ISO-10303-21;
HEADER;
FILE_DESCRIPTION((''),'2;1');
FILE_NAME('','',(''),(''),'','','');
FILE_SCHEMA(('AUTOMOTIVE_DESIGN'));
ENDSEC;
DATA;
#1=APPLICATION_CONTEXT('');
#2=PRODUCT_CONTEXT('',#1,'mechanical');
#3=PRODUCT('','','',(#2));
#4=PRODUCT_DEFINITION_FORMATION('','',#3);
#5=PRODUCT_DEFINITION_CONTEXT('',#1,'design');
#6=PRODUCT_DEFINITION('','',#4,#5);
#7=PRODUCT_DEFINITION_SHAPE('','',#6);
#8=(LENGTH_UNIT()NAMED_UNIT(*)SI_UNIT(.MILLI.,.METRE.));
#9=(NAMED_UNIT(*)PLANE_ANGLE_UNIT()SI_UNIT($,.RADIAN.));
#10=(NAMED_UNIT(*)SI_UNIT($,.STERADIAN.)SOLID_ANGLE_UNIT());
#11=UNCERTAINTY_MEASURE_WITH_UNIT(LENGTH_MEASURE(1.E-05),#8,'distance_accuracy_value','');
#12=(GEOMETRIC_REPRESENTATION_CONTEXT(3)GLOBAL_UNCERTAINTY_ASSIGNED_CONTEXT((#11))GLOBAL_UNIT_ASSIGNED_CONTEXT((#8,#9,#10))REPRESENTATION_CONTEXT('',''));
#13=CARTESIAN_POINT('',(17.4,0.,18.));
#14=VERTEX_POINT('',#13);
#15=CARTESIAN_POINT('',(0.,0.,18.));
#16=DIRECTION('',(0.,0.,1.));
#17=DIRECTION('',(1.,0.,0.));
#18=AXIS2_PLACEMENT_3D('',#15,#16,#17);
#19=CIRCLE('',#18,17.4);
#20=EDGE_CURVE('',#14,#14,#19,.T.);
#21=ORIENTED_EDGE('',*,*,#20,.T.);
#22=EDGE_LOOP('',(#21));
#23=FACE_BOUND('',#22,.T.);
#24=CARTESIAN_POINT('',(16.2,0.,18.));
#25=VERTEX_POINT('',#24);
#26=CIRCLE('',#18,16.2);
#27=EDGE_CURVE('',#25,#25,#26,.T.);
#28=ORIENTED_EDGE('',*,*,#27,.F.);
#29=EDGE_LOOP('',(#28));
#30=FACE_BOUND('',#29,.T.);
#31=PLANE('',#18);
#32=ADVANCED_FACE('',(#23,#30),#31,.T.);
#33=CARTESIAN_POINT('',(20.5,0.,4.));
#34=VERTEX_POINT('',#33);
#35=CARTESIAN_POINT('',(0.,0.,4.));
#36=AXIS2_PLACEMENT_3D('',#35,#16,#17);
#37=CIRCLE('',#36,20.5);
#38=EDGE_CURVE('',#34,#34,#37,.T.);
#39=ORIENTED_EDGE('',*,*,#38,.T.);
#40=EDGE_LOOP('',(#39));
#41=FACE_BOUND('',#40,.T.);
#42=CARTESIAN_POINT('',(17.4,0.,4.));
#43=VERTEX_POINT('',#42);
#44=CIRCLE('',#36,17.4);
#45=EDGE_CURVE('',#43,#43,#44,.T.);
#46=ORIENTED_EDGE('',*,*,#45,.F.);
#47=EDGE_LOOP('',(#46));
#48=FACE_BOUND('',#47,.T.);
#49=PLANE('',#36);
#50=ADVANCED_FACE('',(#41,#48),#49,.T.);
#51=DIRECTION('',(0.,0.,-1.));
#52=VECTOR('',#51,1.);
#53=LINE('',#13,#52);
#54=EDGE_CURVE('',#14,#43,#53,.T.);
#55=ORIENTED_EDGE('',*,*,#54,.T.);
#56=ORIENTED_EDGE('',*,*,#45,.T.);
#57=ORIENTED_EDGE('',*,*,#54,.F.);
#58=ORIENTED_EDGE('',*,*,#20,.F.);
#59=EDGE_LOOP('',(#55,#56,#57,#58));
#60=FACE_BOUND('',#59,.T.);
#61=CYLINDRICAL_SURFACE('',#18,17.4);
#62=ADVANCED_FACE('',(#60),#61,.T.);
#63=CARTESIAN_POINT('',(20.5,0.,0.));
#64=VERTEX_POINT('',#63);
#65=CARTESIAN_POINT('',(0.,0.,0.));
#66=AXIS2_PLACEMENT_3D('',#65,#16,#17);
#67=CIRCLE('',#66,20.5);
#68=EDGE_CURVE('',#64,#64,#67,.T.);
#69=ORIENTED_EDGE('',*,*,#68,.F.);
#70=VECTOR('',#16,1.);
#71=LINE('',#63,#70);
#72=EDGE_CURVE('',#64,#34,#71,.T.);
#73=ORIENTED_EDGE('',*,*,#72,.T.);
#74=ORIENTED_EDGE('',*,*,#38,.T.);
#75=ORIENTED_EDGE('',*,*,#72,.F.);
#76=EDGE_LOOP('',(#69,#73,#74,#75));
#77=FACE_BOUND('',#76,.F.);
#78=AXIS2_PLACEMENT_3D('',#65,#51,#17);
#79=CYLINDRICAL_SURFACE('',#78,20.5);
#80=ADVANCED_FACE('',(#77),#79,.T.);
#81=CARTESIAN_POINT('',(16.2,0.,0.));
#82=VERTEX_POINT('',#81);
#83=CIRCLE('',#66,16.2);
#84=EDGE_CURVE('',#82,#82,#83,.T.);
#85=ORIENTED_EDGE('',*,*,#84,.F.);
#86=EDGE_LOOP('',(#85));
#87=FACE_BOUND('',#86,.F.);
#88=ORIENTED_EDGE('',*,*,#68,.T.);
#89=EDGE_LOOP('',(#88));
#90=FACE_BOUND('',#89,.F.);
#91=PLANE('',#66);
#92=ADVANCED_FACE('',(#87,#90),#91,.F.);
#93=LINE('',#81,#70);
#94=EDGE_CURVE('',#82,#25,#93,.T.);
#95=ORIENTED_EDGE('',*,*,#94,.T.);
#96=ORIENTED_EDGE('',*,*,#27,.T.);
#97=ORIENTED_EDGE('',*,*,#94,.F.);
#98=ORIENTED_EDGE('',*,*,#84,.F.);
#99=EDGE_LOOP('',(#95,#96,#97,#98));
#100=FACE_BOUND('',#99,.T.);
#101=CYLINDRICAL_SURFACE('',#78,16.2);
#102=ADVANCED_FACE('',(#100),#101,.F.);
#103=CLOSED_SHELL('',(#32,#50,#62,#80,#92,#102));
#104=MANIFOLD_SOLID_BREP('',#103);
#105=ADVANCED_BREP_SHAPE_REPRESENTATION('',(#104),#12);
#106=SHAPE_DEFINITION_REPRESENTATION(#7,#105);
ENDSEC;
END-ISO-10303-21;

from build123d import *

# Parameters (mm, degrees)
SKETCH_R      = 20.5
SKETCH_R_2    = 16.2
PAD_DEPTH     = 18
SKETCH001_R   = 20.5
SKETCH001_R_2 = 17.4
POCKET_DEPTH  = 14


with BuildPart() as part:
    # Sketch → Pad (new body)
    with BuildSketch(Plane.XY):
        Circle(SKETCH_R)
        Circle(SKETCH_R_2, mode=Mode.SUBTRACT)
    extrude(amount=PAD_DEPTH)

    # Sketch001 → Pocket (cut)
    with BuildSketch(Plane.XY.offset(18)):
        Circle(SKETCH001_R)
        Circle(SKETCH001_R_2, mode=Mode.SUBTRACT)
    extrude(amount=-POCKET_DEPTH, mode=Mode.SUBTRACT)


solid = part.part
